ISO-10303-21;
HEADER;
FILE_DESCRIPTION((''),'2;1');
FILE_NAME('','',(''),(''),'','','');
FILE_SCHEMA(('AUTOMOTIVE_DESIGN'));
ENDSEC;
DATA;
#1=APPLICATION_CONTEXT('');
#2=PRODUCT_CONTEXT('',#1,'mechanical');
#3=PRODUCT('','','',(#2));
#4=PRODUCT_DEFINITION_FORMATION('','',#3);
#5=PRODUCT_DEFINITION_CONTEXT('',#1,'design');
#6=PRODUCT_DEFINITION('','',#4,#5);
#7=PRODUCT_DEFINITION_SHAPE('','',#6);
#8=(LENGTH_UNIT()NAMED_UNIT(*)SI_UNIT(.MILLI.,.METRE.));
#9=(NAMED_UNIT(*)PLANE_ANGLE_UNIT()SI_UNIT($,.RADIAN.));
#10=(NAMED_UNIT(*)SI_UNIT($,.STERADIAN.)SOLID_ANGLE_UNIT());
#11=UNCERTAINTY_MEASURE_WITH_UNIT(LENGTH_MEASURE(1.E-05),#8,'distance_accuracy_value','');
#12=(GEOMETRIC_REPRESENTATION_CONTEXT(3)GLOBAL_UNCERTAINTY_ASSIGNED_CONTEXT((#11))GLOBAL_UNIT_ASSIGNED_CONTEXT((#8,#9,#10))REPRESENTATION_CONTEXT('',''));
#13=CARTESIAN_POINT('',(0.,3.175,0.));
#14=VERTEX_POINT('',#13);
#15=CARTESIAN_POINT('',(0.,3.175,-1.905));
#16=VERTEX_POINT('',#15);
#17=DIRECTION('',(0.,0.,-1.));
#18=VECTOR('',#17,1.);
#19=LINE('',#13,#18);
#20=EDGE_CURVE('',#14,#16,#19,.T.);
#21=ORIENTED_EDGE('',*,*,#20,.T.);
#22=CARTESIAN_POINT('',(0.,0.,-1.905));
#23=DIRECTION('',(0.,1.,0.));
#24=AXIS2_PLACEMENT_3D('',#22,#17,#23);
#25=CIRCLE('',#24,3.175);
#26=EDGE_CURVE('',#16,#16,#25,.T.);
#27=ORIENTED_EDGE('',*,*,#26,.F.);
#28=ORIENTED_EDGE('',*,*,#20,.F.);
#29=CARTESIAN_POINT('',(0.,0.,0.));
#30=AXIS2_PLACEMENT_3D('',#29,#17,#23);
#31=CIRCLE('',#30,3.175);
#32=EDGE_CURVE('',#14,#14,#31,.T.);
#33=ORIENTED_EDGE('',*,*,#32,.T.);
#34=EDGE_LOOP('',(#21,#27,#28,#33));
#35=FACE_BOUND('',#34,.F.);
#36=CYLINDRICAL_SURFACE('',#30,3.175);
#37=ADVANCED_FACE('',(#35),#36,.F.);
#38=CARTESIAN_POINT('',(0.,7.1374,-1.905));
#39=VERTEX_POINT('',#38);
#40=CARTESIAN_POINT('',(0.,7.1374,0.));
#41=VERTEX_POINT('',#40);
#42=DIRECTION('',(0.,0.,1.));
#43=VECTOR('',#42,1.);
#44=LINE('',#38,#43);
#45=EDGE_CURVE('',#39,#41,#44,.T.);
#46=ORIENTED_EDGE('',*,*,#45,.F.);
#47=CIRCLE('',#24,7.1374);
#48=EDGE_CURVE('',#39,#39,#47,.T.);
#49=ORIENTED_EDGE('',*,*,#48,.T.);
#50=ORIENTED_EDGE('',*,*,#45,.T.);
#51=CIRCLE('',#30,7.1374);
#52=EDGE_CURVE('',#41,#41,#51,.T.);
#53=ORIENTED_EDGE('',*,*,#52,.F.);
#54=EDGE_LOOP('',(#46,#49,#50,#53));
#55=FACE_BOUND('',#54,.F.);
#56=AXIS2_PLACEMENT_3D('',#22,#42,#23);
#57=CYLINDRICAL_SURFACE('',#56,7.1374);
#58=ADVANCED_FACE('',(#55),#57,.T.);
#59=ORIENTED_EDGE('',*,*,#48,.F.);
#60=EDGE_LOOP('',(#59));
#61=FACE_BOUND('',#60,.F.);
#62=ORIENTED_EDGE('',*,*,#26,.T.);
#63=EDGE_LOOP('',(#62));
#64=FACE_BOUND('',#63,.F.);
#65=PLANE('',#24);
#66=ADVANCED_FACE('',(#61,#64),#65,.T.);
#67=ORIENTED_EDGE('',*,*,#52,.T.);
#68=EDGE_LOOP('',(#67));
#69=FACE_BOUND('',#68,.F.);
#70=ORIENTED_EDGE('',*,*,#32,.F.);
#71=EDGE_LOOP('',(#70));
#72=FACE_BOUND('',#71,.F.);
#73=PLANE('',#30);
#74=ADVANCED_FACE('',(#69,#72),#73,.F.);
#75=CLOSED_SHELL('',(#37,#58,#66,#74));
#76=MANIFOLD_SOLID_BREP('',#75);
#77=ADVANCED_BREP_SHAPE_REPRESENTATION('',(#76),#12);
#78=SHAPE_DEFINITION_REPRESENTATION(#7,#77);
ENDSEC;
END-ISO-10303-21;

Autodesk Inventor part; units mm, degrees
sketch "Sketch_1" plane through (0, 0, 0) normal (1, 0, 0) x (0, 1, 0)
  line L0 (0, -1.905) -> (0, 0)
  line L1 (3.175, 0) -> (3.175, -1.905)
  line L2 (3.175, -1.905) -> (7.1374, -1.905)
  line L3 (7.1374, -1.905) -> (7.1374, 0)
  line L4 (7.1374, 0) -> (3.175, 0)
revolve "Revolution1" add sketch "Sketch_1" angle 360 about axis through (0, 0, -1.905) along (0, 0, -1)
ref_plane "part_to_rod_XY" through (0, 0, -0.9525) normal (0, 0, 1) x (1, 0, 0)
ref_plane "part_to_rod_YZ" through (0, 0, -0.9525) normal (1, 0, 0) x (0, 1, 0)
ref_plane "part_to_rod_ZX" through (0, 0, -0.9525) normal (0, 1, 0) x (0, 0, 1)
properties part number "0.56250.075-rod_part0"
